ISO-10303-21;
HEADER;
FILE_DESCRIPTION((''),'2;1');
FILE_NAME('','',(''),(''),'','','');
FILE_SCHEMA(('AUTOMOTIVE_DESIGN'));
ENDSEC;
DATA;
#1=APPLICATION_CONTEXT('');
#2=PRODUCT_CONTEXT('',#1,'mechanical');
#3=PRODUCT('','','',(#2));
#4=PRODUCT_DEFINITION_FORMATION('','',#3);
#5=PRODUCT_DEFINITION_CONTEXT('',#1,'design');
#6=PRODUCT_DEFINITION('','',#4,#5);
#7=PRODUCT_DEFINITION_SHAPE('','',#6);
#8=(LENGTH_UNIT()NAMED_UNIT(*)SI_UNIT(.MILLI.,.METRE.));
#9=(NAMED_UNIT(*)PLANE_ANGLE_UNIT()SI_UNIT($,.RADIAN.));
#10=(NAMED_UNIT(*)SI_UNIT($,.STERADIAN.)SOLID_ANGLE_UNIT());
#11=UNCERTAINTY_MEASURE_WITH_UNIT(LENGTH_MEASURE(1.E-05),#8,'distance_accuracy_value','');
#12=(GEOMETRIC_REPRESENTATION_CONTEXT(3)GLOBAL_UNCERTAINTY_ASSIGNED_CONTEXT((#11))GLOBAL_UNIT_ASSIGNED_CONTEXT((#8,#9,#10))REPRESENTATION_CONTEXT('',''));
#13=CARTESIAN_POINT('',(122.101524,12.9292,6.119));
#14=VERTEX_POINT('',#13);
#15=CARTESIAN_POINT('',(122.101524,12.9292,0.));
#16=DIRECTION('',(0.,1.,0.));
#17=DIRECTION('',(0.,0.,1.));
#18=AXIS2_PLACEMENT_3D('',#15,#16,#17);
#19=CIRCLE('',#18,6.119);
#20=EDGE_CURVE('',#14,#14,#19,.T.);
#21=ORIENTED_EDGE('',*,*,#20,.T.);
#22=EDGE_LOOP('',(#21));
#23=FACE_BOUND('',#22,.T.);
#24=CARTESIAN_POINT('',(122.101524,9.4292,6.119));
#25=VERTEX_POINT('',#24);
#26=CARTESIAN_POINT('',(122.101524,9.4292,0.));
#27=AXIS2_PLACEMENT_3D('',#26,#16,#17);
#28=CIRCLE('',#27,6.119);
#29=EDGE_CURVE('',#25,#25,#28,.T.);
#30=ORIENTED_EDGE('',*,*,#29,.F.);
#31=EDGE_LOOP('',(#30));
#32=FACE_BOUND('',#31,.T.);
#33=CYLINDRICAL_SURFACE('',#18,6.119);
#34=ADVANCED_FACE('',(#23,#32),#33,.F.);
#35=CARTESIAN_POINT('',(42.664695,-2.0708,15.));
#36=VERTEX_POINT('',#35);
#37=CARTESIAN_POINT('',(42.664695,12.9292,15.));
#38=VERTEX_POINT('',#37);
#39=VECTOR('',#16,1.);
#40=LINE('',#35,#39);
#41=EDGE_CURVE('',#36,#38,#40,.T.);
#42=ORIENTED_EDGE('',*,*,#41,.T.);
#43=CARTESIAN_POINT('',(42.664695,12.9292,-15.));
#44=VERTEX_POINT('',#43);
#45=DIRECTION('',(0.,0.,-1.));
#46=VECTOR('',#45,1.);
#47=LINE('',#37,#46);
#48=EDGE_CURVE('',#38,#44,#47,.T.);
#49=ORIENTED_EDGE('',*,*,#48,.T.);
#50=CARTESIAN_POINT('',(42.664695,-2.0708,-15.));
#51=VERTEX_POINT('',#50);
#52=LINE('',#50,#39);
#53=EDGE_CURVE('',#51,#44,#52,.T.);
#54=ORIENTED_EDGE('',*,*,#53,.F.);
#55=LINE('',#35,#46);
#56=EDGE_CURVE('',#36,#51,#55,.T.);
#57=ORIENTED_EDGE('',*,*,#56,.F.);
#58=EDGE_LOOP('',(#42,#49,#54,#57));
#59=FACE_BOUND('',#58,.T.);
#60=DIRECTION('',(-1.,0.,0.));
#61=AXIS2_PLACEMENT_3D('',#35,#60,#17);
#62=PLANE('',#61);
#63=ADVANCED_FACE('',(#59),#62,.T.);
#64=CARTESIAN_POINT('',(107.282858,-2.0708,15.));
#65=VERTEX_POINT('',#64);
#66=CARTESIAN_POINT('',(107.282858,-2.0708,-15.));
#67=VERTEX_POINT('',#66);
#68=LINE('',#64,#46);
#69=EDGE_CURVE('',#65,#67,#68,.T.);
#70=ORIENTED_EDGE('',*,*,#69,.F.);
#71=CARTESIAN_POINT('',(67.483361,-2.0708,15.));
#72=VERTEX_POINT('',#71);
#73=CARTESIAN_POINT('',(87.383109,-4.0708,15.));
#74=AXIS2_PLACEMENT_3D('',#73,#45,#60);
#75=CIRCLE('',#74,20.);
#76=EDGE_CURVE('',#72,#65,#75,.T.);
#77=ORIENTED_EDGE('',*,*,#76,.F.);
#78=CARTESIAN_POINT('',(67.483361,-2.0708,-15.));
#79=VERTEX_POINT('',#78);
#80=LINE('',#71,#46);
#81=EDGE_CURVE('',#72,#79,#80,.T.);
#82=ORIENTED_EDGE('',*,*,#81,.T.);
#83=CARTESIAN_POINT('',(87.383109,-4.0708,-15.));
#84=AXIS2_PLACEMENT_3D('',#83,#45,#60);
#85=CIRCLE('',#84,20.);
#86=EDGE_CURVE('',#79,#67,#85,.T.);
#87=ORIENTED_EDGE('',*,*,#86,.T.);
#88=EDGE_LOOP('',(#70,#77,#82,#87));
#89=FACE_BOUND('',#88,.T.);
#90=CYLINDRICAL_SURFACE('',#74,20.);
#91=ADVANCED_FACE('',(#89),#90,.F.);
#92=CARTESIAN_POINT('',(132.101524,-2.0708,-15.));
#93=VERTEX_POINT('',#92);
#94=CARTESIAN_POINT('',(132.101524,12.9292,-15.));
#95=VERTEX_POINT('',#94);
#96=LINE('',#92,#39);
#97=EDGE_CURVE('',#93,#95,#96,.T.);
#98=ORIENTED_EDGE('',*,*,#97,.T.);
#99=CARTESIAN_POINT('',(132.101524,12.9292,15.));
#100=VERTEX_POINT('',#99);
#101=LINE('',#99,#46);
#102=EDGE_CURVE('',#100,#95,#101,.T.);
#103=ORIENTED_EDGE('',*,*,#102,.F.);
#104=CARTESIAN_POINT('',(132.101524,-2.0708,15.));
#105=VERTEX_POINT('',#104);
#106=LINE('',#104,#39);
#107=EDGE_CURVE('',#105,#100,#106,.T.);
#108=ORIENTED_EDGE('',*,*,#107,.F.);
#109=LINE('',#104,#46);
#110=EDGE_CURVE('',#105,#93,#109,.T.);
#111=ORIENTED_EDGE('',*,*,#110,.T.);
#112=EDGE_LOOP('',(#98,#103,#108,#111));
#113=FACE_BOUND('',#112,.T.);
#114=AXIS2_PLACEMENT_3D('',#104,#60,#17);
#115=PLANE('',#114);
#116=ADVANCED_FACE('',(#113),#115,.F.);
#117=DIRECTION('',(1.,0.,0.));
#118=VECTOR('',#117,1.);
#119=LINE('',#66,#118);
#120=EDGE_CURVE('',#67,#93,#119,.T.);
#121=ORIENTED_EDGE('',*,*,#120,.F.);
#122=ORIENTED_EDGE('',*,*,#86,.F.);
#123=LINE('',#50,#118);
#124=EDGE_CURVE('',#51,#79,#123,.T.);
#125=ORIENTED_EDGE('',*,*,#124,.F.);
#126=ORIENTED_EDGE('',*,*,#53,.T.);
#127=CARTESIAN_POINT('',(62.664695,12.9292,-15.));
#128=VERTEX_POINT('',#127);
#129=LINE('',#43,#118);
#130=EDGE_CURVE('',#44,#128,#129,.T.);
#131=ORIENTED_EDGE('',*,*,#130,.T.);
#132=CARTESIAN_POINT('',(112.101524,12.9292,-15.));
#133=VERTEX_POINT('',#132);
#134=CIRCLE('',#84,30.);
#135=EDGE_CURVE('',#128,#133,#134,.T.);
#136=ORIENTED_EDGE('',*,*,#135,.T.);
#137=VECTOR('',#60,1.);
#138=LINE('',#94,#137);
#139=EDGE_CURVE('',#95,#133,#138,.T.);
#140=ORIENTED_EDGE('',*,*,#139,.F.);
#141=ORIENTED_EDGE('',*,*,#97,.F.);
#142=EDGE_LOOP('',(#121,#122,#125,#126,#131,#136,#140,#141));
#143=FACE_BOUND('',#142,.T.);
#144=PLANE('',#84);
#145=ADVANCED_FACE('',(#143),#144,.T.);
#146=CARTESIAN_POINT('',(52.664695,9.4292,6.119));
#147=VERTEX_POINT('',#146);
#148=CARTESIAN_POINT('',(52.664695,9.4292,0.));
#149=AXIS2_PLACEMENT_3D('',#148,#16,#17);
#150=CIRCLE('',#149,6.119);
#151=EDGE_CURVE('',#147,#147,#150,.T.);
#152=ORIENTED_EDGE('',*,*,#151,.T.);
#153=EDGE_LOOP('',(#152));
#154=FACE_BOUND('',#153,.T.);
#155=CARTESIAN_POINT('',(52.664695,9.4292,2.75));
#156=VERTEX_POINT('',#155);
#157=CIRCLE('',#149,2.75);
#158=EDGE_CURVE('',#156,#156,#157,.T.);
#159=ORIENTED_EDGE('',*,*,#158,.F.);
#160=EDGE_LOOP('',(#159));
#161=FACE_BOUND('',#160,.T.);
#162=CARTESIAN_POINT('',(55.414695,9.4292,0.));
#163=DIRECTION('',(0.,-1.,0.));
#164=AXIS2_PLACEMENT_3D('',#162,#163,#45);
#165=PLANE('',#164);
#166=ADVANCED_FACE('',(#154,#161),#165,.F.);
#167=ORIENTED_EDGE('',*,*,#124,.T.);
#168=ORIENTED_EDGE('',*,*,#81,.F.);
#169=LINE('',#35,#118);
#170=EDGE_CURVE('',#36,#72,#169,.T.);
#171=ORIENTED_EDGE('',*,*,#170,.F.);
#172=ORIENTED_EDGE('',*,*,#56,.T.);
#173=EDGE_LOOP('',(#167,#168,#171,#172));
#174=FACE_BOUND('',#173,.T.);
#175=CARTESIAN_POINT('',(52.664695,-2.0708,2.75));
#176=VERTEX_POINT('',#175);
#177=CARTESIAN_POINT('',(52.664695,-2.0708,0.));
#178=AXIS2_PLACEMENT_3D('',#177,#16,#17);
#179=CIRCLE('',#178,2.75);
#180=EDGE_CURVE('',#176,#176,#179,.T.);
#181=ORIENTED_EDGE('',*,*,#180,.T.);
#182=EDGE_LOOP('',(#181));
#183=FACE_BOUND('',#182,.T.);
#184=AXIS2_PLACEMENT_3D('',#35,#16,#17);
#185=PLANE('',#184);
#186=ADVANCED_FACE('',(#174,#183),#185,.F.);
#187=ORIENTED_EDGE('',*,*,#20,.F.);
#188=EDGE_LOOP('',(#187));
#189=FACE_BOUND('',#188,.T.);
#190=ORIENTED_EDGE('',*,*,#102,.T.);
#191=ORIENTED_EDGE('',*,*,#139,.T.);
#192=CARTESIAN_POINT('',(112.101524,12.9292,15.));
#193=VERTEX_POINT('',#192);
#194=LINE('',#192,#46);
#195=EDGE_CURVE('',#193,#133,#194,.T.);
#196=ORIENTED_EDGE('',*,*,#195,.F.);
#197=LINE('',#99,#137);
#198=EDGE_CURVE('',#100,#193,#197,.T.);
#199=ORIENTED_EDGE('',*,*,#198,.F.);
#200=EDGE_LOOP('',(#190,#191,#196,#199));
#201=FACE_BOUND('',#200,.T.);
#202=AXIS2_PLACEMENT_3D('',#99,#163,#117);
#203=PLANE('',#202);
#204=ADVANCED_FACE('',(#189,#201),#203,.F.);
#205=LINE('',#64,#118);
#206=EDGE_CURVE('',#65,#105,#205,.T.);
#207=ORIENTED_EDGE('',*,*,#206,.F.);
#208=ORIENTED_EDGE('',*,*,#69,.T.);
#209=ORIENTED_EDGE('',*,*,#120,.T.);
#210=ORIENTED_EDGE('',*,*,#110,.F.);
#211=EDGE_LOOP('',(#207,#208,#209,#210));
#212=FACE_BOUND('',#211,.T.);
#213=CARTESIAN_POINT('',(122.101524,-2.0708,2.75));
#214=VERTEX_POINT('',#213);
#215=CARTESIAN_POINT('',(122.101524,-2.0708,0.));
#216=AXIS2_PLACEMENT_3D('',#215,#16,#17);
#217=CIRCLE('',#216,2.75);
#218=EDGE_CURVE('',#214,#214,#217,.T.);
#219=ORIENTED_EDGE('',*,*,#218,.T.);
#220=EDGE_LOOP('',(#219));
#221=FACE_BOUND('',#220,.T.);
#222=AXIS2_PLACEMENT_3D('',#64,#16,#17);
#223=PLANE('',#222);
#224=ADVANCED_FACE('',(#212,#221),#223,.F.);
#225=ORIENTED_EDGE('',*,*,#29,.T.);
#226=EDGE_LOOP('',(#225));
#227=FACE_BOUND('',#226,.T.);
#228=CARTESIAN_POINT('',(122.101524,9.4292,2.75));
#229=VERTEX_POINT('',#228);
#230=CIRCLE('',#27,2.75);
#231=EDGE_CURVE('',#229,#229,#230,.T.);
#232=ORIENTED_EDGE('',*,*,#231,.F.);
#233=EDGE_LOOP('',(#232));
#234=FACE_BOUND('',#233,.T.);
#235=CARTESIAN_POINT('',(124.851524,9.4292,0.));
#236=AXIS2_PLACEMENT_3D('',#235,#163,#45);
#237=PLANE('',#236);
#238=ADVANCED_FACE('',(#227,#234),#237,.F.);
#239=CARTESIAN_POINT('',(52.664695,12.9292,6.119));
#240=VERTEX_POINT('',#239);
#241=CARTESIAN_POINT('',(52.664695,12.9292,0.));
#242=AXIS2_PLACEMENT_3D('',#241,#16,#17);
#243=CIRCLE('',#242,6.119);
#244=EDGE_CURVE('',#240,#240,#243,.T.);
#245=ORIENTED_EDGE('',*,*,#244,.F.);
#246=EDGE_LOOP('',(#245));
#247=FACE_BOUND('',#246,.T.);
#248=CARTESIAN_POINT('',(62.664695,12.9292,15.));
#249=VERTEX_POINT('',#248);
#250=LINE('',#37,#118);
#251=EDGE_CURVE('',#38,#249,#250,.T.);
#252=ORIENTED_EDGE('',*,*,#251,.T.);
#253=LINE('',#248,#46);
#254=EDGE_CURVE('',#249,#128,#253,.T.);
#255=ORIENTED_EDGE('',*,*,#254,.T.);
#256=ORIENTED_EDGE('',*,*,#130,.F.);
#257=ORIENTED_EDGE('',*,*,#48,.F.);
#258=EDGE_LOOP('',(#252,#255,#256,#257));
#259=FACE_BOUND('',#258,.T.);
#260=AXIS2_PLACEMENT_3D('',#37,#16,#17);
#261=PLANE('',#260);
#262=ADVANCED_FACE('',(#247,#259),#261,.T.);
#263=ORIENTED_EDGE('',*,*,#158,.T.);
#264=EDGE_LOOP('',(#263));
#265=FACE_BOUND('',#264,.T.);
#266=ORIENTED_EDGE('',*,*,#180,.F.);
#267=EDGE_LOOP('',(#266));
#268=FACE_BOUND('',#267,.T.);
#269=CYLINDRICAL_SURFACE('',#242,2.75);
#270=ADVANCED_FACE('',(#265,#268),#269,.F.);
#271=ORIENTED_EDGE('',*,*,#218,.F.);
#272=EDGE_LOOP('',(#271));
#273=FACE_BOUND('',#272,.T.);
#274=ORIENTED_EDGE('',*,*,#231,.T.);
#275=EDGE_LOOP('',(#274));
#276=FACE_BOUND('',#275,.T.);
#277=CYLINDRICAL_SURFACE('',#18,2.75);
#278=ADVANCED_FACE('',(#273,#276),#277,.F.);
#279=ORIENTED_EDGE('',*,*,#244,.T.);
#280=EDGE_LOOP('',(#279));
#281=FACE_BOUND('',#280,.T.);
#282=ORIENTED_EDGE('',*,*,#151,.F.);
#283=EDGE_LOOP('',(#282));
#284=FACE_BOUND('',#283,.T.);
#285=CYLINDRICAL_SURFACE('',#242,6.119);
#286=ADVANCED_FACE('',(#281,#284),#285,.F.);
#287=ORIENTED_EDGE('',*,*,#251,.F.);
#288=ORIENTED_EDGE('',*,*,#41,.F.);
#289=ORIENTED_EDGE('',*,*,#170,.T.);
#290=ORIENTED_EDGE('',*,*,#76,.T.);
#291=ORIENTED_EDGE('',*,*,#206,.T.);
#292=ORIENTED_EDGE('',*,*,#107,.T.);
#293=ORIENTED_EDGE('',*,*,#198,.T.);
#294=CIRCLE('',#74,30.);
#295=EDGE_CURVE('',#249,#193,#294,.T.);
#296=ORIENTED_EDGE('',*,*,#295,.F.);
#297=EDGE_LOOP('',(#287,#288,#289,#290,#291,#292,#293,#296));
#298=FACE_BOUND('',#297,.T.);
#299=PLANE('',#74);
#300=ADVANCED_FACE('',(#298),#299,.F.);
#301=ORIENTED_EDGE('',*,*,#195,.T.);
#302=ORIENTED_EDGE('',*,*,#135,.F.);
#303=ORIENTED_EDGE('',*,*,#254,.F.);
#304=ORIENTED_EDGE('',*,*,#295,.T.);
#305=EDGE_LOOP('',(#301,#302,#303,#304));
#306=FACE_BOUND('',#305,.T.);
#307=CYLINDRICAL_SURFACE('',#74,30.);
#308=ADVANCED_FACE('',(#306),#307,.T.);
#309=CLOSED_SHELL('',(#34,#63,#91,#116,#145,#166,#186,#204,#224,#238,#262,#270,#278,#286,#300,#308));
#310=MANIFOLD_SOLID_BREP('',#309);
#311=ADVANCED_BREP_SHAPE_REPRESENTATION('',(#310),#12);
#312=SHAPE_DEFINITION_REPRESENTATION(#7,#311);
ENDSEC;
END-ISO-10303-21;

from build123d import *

# Parameters (mm, degrees)
BOSS_EXTRU_1_DEPTH                                 = 15
CHAMBRAGE_POUR_VIS_T_TE_HEXAGONALE_M51_D           = 5.5
CHAMBRAGE_POUR_VIS_T_TE_HEXAGONALE_M51_CBORE_D     = 12.238
CHAMBRAGE_POUR_VIS_T_TE_HEXAGONALE_M51_CBORE_DEPTH = 3.5


with BuildPart() as part:
    # Esquisse1 → Boss.-Extru.1 (new, symmetric)
    with BuildSketch(Plane.XY):
        with BuildLine():
            Line((42.664695124, -2.070799618), (67.48336057, -2.070799618))
            ThreePointArc((67.48336057, -2.070799618), (87.383109312, 15.929200382), (107.282858055, -2.070799618))
            Line((107.282858055, -2.070799618), (132.101523501, -2.070799618))
            Line((132.101523501, -2.070799618), (132.101523501, 12.929200382))
            Line((132.101523501, 12.929200382), (112.101523501, 12.929200382))
            ThreePointArc((112.101523501, 12.929200382), (87.383109312, 25.929200382), (62.664695124, 12.929200382))
            Line((62.664695124, 12.929200382), (42.664695124, 12.929200382))
            Line((42.664695124, 12.929200382), (42.664695124, -2.070799618))
        make_face()
    extrude(amount=BOSS_EXTRU_1_DEPTH, both=True)

    # Chambrage pour vis à tête hexagonale M51 (through all)
    with Locations(Plane(origin=(52.664695124, 12.929200382, 0), x_dir=(0, 0, 1), z_dir=(0, 1, 0))):
        with Locations((0, 0), (0, 69.436828377)):
            CounterBoreHole(CHAMBRAGE_POUR_VIS_T_TE_HEXAGONALE_M51_D / 2, CHAMBRAGE_POUR_VIS_T_TE_HEXAGONALE_M51_CBORE_D / 2, CHAMBRAGE_POUR_VIS_T_TE_HEXAGONALE_M51_CBORE_DEPTH)


solid = part.part
